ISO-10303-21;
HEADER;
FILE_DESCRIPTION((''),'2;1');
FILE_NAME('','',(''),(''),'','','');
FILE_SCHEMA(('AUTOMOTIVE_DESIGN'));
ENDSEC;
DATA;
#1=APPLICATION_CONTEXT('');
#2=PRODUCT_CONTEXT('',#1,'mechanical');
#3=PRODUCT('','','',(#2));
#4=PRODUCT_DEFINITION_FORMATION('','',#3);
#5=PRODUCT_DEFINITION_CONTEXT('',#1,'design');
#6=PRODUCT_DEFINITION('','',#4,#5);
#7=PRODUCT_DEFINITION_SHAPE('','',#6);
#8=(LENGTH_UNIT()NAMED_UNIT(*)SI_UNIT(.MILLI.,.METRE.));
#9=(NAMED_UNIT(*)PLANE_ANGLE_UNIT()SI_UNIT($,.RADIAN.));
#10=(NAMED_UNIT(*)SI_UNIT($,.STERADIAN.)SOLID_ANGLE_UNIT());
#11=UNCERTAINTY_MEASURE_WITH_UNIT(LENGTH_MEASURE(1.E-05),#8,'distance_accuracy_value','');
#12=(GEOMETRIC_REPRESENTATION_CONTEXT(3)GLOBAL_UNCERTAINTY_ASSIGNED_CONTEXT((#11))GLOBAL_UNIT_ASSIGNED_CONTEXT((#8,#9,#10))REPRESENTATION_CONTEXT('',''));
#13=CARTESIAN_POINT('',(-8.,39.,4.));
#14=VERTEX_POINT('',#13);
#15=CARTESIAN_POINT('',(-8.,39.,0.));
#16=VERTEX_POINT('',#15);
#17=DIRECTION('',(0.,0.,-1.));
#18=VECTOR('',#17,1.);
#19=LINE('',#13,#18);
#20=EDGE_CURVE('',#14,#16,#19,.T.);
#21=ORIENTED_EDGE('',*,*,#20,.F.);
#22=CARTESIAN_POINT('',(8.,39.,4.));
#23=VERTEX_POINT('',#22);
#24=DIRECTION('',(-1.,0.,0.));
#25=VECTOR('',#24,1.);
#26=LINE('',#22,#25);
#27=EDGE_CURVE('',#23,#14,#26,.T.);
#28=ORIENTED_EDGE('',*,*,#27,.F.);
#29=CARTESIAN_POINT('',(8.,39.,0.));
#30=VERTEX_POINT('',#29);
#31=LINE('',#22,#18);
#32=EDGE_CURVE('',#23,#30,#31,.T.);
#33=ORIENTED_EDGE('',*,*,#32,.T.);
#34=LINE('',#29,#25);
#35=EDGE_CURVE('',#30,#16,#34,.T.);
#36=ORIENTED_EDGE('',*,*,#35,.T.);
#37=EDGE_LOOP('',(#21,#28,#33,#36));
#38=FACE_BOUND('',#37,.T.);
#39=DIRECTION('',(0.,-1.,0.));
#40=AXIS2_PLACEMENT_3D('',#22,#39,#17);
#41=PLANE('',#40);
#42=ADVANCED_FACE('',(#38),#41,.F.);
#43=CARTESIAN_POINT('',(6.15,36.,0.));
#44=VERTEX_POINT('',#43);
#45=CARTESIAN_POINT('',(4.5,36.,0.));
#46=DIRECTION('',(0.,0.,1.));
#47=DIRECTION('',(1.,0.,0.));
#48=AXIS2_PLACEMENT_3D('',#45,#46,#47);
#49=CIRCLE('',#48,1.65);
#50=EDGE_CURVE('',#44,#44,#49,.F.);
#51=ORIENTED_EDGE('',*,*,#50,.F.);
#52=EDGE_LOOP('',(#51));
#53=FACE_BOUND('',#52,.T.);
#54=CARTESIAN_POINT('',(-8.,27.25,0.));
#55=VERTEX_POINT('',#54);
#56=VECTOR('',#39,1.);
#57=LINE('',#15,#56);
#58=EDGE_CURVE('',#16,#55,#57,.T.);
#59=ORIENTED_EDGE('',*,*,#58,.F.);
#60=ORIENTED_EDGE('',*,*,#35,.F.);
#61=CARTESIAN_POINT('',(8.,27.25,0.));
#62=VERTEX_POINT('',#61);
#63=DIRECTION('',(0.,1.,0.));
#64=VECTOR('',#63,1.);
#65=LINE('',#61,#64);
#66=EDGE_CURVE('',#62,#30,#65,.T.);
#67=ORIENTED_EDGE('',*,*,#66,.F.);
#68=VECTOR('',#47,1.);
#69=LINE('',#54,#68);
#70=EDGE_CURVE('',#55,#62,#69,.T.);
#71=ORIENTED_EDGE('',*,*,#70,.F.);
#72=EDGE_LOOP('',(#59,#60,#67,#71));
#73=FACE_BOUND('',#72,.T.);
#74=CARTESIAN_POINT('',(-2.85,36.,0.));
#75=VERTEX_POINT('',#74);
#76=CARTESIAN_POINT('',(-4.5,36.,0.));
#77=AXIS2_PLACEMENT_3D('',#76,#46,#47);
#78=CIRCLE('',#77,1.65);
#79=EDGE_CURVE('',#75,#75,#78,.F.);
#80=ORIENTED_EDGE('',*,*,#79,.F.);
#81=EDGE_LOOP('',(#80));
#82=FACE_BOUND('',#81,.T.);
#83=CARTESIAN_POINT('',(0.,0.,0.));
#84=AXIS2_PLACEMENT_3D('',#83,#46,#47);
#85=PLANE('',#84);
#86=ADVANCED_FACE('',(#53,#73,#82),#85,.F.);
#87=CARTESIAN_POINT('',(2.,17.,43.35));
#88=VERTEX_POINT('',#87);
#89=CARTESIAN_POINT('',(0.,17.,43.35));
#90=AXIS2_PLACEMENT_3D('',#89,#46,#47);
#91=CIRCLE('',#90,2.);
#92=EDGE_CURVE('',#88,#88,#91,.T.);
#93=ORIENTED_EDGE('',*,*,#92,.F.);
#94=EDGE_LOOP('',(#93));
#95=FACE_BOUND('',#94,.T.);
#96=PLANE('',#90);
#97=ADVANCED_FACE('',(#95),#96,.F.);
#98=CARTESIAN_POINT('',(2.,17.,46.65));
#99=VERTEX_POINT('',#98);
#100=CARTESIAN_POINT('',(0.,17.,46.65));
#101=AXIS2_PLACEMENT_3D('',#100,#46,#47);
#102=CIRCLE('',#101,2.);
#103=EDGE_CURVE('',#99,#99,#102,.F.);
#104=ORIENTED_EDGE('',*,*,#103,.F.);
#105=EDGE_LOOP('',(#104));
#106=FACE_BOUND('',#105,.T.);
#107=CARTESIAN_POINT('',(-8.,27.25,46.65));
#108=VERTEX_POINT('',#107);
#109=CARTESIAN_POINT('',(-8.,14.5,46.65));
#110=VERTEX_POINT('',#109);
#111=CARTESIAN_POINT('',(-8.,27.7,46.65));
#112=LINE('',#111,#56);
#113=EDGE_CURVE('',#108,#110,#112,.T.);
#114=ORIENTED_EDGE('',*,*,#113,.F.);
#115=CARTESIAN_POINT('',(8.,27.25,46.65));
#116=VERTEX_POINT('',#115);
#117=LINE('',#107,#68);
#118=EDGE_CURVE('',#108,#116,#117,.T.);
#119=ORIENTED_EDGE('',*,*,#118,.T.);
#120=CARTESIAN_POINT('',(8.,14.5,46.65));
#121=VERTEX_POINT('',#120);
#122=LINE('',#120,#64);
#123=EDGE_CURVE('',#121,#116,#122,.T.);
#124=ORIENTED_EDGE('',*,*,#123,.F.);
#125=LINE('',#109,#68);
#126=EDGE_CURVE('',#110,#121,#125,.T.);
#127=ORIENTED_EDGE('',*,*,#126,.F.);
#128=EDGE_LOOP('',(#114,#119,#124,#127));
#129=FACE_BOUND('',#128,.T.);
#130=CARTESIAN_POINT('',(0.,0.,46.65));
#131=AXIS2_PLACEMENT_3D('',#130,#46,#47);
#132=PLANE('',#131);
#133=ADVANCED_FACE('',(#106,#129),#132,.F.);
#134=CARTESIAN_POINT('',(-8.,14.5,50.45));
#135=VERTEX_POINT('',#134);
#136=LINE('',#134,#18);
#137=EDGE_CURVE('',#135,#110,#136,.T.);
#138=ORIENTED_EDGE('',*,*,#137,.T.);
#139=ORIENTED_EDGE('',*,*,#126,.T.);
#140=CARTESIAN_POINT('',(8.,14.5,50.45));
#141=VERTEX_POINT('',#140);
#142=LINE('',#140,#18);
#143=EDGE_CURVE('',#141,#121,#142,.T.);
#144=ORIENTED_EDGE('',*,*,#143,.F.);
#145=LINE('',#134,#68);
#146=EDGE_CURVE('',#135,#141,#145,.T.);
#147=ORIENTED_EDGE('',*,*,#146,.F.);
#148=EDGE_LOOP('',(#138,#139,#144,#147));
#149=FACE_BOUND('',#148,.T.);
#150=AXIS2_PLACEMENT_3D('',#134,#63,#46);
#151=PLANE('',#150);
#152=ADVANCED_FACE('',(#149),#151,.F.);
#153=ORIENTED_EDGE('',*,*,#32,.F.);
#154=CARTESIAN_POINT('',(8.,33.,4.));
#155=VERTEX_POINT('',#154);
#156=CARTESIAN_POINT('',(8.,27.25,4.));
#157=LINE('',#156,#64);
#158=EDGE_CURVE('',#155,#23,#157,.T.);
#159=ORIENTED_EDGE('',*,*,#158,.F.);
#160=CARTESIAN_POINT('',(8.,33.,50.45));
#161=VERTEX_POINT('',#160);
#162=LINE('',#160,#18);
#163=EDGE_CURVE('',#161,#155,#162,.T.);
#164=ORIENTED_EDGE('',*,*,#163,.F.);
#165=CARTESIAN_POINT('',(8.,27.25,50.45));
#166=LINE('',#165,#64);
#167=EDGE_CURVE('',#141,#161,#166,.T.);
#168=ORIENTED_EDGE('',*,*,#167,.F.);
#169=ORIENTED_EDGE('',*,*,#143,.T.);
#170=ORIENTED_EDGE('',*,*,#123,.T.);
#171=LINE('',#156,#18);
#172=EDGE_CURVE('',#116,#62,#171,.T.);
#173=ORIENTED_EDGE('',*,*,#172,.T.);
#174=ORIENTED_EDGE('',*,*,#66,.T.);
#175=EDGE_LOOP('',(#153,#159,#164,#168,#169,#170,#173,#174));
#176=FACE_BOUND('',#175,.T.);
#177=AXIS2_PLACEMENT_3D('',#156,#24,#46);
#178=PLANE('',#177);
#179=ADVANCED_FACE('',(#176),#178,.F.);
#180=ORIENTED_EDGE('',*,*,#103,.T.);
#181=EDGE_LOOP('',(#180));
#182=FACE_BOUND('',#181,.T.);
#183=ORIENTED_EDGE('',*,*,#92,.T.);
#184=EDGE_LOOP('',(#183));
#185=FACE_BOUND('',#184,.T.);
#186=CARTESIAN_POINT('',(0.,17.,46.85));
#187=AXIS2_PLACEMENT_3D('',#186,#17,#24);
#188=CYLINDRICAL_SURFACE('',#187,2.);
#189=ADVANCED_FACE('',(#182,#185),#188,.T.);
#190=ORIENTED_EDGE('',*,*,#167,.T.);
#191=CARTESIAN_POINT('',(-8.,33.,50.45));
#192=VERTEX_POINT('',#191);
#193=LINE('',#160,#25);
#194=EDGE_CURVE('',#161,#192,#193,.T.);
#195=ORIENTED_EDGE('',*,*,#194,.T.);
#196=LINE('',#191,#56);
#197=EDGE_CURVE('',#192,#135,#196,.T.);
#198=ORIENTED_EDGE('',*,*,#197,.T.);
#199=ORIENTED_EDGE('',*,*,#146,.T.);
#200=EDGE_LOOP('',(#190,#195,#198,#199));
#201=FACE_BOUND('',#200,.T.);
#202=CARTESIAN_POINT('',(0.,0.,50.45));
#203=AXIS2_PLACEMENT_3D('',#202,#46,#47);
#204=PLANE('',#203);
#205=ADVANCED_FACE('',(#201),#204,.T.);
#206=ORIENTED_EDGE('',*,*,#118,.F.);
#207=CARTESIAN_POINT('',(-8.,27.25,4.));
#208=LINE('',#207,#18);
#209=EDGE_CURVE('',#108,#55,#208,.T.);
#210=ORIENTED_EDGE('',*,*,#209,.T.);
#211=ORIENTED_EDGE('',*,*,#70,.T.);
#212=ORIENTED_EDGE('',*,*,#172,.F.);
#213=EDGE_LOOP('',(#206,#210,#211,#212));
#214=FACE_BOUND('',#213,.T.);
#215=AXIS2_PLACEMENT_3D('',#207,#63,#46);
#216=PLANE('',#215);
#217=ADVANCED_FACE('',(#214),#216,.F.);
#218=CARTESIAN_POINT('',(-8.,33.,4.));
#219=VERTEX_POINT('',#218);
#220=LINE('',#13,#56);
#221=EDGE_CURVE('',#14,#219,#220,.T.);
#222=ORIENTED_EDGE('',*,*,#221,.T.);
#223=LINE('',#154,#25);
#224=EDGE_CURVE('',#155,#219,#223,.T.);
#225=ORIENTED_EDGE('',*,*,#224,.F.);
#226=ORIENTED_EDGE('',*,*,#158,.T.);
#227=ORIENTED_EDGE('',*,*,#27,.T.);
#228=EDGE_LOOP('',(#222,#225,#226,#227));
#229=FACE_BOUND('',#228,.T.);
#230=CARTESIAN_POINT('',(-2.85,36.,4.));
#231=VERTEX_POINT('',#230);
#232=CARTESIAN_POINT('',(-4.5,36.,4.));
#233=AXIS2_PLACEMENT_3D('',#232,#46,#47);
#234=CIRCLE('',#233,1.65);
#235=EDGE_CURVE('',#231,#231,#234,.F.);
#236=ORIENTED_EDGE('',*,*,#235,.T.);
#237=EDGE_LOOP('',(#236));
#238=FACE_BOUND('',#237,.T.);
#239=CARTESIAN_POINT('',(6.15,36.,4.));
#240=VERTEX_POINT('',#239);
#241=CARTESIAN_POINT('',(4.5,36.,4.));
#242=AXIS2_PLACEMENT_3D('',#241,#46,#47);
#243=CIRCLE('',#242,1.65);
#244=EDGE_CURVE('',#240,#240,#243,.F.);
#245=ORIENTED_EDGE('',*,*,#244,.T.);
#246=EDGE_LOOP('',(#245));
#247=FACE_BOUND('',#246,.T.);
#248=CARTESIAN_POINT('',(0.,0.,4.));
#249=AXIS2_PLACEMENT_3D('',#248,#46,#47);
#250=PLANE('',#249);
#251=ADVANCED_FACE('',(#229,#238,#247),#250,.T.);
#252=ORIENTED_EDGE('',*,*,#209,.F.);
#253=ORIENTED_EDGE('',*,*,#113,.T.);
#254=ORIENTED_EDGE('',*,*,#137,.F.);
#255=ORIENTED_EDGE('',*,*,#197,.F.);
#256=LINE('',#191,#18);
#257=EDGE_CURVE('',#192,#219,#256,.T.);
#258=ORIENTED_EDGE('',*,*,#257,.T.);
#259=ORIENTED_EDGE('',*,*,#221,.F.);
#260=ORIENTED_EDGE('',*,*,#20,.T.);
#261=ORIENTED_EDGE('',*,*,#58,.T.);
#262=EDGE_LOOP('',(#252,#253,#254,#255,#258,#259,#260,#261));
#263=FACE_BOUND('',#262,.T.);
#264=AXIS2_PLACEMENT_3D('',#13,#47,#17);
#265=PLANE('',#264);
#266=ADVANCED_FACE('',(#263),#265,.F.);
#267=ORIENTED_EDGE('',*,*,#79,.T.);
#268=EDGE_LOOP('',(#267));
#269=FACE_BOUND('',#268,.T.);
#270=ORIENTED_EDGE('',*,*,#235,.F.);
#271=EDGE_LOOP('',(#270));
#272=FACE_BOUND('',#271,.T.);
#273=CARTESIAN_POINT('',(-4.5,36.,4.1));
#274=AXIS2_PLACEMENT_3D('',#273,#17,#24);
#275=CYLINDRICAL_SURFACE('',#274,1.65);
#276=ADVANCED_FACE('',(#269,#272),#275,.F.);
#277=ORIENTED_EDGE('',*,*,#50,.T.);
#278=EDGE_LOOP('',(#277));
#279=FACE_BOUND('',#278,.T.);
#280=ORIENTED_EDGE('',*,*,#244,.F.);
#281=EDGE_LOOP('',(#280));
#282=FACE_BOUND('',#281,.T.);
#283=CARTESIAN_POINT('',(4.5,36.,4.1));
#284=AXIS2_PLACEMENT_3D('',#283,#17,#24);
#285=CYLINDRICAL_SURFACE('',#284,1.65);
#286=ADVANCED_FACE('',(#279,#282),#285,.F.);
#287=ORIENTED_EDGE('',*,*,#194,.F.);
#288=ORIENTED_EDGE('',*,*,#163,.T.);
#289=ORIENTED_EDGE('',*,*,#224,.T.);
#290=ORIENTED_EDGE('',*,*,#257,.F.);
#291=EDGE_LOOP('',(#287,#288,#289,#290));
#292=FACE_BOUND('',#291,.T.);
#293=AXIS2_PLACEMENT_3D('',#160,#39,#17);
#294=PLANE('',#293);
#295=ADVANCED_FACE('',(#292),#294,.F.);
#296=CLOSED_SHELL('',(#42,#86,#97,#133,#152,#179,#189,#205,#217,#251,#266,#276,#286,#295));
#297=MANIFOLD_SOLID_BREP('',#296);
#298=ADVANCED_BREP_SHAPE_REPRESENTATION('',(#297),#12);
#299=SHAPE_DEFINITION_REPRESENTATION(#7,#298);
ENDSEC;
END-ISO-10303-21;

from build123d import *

# Parameters (mm, degrees)
BRACKET_FOOT_PROFILE_W                    = 16
BRACKET_FOOT_PROFILE_H                    = 11.75
BRACKET_FOOT_DEPTH                        = 4
UPRIGHT_START                             = 4
UPRIGHT_PROFILE_W                         = 16
UPRIGHT_PROFILE_H                         = 5.75
UPRIGHT_DEPTH                             = 46.45
UPPER_START                               = 46.65
UPPER_ARM_PROFILE_W                       = 16
UPPER_ARM_PROFILE_H                       = 13.2
UPPER_ARM_DEPTH                           = 3.8
BRACKET_START                             = -0.1
BRACKET_BOLT_CLEARANCES_PROFILE_R         = 1.65
BRACKET_BOLT_CLEARANCES_DEPTH             = 4.2
INTEGRAL_START                            = 43.35
INTEGRAL_STOP_PIN_DIAMETER_4_MM_PROFILE_R = 2
INTEGRAL_STOP_PIN_DIAMETER_4_MM_DEPTH     = 3.5


with BuildPart() as part:
    # Bracket foot profile → Bracket foot (new body)
    with BuildSketch(Plane.XY):
        with Locations((0, 33.125)):
            Rectangle(BRACKET_FOOT_PROFILE_W, BRACKET_FOOT_PROFILE_H)
    extrude(amount=BRACKET_FOOT_DEPTH)

    # Upright profile → Upright (add)
    with BuildSketch(Plane.XY.offset(UPRIGHT_START)):
        with Locations((0, 30.125)):
            Rectangle(UPRIGHT_PROFILE_W, UPRIGHT_PROFILE_H)
    extrude(amount=UPRIGHT_DEPTH)

    # Upper arm profile → Upper arm (add)
    with BuildSketch(Plane.XY.offset(UPPER_START)):
        with Locations((0, 21.1)):
            Rectangle(UPPER_ARM_PROFILE_W, UPPER_ARM_PROFILE_H)
    extrude(amount=UPPER_ARM_DEPTH)

    # Bracket bolt clearances profile → Bracket bolt clearances (cut)
    with BuildSketch(Plane.XY.offset(BRACKET_START)):
        with Locations((-4.5, 36)):
            Circle(BRACKET_BOLT_CLEARANCES_PROFILE_R)
        with Locations((4.5, 36)):
            Circle(BRACKET_BOLT_CLEARANCES_PROFILE_R)
    extrude(amount=BRACKET_BOLT_CLEARANCES_DEPTH, mode=Mode.SUBTRACT)

    # Integral stop pin diameter 4 mm profile → Integral stop pin diameter 4 mm (add)
    with BuildSketch(Plane.XY.offset(INTEGRAL_START)):
        with Locations((0, 17)):
            Circle(INTEGRAL_STOP_PIN_DIAMETER_4_MM_PROFILE_R)
    extrude(amount=INTEGRAL_STOP_PIN_DIAMETER_4_MM_DEPTH)


solid = part.part
